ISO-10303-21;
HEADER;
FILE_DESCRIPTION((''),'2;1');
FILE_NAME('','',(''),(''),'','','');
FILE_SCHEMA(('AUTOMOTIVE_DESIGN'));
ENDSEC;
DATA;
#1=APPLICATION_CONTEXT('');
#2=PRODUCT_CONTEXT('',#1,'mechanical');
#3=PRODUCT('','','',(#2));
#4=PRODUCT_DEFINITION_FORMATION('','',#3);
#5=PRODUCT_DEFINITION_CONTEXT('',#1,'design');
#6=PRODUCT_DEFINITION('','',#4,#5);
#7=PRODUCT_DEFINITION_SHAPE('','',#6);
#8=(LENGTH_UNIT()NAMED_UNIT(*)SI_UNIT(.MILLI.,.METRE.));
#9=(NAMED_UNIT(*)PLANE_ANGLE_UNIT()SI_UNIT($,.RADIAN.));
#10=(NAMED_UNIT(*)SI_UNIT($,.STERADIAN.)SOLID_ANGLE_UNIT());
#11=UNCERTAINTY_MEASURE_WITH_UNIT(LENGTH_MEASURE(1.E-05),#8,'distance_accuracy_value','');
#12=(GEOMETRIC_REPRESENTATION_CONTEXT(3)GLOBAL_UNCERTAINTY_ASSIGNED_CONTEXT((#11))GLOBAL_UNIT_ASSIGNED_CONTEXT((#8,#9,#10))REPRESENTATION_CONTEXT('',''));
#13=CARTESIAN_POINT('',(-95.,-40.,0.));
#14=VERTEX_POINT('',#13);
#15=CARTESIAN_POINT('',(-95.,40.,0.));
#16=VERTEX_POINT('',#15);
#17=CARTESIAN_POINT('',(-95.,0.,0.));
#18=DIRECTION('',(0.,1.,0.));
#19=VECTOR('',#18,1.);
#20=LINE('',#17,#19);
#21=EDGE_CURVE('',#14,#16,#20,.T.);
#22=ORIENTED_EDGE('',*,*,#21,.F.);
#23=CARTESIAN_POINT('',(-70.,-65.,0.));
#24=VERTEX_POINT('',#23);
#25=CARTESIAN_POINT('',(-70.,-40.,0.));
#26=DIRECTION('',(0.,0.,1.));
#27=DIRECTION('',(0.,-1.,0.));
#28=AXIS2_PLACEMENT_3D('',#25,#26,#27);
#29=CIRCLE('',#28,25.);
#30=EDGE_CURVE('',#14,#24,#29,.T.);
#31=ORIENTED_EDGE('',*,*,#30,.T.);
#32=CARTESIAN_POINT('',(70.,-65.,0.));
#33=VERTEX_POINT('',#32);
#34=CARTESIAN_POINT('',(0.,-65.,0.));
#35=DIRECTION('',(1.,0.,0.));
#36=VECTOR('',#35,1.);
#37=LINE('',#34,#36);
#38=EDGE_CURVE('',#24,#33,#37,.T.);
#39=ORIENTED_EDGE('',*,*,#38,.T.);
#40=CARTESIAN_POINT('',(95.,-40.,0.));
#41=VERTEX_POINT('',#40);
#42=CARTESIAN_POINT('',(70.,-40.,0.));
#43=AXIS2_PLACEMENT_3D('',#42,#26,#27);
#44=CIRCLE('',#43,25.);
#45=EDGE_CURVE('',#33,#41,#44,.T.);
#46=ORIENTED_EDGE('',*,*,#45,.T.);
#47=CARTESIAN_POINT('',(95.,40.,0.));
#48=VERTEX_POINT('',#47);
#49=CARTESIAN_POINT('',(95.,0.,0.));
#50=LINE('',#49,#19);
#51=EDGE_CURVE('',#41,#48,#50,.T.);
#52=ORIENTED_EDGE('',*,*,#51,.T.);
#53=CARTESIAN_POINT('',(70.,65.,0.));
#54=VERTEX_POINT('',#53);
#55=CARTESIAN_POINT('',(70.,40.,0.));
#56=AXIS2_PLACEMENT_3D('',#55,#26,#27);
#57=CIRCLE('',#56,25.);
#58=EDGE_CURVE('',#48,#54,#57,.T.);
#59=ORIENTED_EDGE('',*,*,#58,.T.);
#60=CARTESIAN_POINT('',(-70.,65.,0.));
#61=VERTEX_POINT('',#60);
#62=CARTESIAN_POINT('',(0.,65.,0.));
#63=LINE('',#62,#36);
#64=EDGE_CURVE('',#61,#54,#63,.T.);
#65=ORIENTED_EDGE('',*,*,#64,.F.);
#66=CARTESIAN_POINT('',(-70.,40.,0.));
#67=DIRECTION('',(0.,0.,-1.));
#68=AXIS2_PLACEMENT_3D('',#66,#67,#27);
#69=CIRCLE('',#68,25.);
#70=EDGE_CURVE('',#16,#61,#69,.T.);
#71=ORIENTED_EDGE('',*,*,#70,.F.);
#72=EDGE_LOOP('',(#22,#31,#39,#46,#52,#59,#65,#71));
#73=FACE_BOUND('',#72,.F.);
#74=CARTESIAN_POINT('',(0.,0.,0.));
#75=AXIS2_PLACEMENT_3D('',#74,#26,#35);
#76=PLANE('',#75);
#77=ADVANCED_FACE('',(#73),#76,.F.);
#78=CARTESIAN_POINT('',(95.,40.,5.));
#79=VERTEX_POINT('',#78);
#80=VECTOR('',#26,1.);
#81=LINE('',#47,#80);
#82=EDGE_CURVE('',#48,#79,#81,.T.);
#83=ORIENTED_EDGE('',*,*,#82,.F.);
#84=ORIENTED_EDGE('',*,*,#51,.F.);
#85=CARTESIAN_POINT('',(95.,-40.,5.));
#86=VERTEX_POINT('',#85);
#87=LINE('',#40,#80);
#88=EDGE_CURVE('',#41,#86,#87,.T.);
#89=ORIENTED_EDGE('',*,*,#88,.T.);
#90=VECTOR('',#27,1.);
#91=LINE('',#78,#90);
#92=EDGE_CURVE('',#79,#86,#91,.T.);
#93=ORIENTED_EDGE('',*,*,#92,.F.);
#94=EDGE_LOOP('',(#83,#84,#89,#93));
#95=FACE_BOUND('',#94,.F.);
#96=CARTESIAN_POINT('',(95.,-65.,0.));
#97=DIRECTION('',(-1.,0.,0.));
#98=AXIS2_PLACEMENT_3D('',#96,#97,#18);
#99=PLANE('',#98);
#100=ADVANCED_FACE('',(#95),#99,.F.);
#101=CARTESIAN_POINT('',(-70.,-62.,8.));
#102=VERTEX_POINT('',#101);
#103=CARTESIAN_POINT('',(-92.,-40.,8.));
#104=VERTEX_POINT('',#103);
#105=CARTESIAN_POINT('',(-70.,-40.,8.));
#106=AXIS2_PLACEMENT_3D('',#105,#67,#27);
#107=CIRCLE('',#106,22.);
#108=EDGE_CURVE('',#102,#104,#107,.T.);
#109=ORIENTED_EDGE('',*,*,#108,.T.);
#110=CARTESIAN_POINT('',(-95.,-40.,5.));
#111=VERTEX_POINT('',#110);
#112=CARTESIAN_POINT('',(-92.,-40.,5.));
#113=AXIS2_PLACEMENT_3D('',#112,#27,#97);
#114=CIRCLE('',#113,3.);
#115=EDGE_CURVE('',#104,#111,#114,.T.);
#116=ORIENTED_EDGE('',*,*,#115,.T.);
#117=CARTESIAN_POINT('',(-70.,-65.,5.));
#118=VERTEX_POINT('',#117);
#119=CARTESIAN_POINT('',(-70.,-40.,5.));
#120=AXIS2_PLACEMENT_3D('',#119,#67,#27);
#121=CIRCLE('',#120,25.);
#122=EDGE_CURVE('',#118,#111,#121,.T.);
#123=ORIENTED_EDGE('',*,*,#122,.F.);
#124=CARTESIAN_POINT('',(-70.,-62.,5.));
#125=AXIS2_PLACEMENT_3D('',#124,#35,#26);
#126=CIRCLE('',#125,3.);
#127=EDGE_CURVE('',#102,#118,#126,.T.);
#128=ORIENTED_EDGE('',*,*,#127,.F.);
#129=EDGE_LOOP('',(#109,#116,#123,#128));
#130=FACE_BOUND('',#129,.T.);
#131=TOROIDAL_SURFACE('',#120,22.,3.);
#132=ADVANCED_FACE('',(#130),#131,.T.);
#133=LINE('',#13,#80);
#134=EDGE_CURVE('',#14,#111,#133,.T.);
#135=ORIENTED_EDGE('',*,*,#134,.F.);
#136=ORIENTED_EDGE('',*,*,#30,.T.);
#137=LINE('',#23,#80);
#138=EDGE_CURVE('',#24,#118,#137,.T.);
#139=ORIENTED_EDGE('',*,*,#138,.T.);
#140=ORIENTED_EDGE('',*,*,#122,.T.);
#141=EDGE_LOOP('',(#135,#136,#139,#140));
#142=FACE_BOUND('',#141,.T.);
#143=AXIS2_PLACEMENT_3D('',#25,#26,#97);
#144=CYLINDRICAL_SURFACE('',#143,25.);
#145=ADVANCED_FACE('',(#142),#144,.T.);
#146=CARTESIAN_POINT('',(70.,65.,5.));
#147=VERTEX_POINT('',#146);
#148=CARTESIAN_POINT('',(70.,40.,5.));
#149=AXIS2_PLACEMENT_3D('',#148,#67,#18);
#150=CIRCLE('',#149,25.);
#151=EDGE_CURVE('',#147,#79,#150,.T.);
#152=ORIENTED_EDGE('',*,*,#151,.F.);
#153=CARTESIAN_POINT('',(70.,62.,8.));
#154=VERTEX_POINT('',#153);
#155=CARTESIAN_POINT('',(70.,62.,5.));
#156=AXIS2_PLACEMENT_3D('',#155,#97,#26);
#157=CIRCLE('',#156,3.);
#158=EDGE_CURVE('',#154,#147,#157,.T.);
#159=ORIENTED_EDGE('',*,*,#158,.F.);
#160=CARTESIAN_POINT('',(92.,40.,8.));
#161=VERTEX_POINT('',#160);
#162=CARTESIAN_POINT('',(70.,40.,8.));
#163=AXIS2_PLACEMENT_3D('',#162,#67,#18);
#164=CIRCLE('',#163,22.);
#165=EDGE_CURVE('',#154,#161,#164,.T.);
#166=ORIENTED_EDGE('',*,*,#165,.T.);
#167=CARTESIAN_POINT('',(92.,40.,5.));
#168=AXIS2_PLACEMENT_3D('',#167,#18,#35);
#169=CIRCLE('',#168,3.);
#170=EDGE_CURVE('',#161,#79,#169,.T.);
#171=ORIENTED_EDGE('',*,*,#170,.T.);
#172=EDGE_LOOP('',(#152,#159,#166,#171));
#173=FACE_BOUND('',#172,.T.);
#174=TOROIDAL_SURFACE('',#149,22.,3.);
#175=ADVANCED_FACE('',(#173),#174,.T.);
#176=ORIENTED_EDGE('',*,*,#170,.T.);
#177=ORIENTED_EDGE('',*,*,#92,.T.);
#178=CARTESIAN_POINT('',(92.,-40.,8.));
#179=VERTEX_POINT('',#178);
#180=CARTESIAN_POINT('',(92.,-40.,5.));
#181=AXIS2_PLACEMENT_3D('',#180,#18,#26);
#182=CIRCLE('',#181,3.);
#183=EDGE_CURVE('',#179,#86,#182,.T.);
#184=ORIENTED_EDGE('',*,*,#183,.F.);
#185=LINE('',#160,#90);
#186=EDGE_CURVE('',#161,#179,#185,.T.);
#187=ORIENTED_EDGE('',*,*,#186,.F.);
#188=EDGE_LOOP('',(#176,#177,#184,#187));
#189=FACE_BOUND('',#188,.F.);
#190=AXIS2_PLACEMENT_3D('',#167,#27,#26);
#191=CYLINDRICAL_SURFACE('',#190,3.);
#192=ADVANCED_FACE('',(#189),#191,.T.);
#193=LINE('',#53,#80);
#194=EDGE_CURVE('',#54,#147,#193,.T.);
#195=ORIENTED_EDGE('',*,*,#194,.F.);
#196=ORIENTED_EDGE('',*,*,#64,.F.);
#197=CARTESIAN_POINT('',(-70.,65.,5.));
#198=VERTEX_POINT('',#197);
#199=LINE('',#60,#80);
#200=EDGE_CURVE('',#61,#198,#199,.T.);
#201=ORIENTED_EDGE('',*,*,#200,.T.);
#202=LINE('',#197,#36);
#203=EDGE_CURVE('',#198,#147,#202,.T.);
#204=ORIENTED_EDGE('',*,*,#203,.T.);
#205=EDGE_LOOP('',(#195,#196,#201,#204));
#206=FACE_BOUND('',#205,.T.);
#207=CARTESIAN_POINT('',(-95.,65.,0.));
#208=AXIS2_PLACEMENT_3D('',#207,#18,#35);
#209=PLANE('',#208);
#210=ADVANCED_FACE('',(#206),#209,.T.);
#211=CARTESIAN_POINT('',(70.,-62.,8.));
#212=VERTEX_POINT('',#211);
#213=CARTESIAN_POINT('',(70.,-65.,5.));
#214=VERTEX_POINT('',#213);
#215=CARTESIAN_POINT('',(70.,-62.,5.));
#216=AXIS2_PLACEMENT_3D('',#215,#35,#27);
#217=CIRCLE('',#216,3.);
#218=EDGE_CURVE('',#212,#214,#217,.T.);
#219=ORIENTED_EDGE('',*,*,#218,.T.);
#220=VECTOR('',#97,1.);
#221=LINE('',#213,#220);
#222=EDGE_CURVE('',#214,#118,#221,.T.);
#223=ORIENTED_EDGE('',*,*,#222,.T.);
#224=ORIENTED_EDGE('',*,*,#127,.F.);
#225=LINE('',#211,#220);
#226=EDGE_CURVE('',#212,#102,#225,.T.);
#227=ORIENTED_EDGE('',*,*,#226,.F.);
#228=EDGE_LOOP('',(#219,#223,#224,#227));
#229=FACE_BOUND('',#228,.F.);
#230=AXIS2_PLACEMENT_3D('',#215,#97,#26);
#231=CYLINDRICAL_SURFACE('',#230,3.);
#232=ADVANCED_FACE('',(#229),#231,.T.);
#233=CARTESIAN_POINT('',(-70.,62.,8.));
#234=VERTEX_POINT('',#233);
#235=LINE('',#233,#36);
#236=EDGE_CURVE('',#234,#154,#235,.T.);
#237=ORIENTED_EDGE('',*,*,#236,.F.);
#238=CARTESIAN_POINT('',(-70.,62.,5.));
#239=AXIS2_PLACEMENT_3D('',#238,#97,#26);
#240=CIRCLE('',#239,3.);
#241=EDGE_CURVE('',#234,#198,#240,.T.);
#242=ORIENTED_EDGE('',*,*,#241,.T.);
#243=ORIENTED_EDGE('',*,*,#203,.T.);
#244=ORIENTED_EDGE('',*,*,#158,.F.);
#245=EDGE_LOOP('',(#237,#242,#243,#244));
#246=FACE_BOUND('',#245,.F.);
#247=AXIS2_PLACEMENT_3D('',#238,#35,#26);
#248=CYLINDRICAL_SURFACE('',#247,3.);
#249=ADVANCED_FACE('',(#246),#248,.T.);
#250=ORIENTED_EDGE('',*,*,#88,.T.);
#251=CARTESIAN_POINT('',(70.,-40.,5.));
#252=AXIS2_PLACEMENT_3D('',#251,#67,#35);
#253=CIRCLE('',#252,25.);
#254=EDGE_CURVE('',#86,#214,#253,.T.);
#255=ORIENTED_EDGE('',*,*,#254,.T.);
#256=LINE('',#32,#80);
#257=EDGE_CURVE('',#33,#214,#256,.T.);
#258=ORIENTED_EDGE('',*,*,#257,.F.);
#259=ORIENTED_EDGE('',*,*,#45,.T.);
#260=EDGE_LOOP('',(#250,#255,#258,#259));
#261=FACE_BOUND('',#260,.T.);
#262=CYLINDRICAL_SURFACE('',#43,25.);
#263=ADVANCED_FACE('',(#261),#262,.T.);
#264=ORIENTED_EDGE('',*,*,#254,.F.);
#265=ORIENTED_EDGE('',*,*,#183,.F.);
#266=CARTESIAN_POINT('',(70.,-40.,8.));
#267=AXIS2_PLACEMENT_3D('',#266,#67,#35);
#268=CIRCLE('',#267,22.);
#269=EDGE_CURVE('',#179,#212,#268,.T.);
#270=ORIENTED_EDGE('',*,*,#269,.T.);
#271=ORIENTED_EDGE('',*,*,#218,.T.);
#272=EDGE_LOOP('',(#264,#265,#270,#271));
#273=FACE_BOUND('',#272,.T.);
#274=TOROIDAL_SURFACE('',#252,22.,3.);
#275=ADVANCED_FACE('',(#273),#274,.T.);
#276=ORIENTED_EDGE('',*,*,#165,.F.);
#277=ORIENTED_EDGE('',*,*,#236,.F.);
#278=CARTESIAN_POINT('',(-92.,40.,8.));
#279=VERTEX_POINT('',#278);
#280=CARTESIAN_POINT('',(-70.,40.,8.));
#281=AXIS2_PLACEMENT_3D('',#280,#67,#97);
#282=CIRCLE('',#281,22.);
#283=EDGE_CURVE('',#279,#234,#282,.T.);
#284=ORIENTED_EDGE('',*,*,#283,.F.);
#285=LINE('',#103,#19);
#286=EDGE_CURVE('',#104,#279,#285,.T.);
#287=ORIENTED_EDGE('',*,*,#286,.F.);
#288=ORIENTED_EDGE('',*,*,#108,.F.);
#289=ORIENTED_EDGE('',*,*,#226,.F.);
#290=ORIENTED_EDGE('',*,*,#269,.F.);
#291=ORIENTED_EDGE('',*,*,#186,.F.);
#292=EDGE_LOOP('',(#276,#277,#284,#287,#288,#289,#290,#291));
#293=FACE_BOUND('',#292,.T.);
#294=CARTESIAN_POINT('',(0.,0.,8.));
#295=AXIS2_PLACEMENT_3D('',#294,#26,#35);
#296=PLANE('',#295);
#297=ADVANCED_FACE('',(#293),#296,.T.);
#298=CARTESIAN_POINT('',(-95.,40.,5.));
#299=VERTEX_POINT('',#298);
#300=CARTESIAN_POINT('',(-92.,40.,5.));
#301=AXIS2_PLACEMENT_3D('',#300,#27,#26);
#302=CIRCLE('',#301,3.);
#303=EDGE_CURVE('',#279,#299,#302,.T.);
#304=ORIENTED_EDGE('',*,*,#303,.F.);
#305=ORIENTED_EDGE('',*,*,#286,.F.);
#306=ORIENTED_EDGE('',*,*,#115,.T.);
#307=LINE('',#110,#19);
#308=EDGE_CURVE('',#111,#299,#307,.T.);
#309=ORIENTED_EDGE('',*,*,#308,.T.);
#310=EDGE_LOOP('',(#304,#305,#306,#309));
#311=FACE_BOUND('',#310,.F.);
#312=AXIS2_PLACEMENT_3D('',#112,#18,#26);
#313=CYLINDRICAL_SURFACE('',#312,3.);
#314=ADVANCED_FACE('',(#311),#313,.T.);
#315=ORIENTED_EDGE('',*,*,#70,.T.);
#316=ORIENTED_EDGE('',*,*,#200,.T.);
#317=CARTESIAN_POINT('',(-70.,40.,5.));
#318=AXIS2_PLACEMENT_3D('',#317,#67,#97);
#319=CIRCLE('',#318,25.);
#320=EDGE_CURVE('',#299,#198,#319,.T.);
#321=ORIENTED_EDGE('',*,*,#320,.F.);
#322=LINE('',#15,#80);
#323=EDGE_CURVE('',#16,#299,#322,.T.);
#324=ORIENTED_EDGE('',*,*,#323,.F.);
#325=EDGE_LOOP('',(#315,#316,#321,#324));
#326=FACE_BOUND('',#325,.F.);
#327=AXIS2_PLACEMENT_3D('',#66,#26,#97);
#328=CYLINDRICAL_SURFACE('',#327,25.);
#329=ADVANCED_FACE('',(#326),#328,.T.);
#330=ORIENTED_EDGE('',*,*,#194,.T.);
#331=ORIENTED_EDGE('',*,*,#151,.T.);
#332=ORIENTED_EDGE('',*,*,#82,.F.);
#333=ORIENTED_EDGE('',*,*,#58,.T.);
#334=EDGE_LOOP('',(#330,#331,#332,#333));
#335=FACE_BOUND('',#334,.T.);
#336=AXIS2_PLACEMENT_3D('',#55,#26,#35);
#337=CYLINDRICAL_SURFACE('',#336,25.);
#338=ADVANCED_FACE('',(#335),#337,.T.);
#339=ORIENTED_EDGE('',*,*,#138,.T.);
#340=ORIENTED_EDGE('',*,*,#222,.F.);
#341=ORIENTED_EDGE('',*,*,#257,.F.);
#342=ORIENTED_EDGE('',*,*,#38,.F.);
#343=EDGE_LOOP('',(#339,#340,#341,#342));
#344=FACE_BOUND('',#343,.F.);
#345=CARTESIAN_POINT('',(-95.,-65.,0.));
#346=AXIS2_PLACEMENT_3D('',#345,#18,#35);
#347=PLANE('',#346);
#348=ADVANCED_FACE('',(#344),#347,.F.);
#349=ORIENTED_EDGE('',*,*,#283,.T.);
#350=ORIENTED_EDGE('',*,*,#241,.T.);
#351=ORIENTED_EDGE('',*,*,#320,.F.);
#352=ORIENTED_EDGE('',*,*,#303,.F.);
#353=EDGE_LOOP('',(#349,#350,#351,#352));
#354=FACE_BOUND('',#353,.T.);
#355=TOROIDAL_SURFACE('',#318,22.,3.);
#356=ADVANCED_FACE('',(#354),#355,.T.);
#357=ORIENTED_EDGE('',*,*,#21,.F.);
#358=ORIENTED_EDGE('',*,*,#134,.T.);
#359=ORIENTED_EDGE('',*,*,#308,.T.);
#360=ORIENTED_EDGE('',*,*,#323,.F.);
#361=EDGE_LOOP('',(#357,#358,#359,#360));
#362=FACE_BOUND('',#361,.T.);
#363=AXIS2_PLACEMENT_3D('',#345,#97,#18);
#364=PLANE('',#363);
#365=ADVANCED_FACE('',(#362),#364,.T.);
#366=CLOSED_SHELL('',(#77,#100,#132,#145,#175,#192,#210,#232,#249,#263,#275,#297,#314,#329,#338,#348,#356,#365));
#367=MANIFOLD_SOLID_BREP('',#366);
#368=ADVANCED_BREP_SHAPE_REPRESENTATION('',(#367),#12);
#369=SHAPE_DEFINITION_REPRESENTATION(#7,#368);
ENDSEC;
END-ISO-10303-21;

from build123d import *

# Parameters (mm, degrees)
F0_W     = 190
F0_H     = 130
F1_DEPTH = 8
F2_R     = 25
F3_R     = 3


with BuildPart() as f1:
    # F0 (on Top) → F1 (new body)
    with BuildSketch(Plane.XY):
        Rectangle(F0_W, F0_H)
    extrude(amount=F1_DEPTH)

    # F2
    f2_edges = [f1.edges().sort_by_distance(p)[0] for p in [
        (-95, 65, 4),
        (-95, -65, 4),
        (95, -65, 4),
        (95, 65, 4),
    ]]
    fillet(f2_edges, radius=F2_R)

    # F3
    f3_edges = [f1.edges().sort_by_distance(p)[0] for p in [
        (0, 65, 8),
        (87.67767, 57.67767, 8),
        (-87.67767, 57.67767, 8),
        (95, 0, 8),
        (-95, 0, 8),
        (87.67767, -57.67767, 8),
        (-87.67767, -57.67767, 8),
        (0, -65, 8),
    ]]
    fillet(f3_edges, radius=F3_R)


solid = f1.part
